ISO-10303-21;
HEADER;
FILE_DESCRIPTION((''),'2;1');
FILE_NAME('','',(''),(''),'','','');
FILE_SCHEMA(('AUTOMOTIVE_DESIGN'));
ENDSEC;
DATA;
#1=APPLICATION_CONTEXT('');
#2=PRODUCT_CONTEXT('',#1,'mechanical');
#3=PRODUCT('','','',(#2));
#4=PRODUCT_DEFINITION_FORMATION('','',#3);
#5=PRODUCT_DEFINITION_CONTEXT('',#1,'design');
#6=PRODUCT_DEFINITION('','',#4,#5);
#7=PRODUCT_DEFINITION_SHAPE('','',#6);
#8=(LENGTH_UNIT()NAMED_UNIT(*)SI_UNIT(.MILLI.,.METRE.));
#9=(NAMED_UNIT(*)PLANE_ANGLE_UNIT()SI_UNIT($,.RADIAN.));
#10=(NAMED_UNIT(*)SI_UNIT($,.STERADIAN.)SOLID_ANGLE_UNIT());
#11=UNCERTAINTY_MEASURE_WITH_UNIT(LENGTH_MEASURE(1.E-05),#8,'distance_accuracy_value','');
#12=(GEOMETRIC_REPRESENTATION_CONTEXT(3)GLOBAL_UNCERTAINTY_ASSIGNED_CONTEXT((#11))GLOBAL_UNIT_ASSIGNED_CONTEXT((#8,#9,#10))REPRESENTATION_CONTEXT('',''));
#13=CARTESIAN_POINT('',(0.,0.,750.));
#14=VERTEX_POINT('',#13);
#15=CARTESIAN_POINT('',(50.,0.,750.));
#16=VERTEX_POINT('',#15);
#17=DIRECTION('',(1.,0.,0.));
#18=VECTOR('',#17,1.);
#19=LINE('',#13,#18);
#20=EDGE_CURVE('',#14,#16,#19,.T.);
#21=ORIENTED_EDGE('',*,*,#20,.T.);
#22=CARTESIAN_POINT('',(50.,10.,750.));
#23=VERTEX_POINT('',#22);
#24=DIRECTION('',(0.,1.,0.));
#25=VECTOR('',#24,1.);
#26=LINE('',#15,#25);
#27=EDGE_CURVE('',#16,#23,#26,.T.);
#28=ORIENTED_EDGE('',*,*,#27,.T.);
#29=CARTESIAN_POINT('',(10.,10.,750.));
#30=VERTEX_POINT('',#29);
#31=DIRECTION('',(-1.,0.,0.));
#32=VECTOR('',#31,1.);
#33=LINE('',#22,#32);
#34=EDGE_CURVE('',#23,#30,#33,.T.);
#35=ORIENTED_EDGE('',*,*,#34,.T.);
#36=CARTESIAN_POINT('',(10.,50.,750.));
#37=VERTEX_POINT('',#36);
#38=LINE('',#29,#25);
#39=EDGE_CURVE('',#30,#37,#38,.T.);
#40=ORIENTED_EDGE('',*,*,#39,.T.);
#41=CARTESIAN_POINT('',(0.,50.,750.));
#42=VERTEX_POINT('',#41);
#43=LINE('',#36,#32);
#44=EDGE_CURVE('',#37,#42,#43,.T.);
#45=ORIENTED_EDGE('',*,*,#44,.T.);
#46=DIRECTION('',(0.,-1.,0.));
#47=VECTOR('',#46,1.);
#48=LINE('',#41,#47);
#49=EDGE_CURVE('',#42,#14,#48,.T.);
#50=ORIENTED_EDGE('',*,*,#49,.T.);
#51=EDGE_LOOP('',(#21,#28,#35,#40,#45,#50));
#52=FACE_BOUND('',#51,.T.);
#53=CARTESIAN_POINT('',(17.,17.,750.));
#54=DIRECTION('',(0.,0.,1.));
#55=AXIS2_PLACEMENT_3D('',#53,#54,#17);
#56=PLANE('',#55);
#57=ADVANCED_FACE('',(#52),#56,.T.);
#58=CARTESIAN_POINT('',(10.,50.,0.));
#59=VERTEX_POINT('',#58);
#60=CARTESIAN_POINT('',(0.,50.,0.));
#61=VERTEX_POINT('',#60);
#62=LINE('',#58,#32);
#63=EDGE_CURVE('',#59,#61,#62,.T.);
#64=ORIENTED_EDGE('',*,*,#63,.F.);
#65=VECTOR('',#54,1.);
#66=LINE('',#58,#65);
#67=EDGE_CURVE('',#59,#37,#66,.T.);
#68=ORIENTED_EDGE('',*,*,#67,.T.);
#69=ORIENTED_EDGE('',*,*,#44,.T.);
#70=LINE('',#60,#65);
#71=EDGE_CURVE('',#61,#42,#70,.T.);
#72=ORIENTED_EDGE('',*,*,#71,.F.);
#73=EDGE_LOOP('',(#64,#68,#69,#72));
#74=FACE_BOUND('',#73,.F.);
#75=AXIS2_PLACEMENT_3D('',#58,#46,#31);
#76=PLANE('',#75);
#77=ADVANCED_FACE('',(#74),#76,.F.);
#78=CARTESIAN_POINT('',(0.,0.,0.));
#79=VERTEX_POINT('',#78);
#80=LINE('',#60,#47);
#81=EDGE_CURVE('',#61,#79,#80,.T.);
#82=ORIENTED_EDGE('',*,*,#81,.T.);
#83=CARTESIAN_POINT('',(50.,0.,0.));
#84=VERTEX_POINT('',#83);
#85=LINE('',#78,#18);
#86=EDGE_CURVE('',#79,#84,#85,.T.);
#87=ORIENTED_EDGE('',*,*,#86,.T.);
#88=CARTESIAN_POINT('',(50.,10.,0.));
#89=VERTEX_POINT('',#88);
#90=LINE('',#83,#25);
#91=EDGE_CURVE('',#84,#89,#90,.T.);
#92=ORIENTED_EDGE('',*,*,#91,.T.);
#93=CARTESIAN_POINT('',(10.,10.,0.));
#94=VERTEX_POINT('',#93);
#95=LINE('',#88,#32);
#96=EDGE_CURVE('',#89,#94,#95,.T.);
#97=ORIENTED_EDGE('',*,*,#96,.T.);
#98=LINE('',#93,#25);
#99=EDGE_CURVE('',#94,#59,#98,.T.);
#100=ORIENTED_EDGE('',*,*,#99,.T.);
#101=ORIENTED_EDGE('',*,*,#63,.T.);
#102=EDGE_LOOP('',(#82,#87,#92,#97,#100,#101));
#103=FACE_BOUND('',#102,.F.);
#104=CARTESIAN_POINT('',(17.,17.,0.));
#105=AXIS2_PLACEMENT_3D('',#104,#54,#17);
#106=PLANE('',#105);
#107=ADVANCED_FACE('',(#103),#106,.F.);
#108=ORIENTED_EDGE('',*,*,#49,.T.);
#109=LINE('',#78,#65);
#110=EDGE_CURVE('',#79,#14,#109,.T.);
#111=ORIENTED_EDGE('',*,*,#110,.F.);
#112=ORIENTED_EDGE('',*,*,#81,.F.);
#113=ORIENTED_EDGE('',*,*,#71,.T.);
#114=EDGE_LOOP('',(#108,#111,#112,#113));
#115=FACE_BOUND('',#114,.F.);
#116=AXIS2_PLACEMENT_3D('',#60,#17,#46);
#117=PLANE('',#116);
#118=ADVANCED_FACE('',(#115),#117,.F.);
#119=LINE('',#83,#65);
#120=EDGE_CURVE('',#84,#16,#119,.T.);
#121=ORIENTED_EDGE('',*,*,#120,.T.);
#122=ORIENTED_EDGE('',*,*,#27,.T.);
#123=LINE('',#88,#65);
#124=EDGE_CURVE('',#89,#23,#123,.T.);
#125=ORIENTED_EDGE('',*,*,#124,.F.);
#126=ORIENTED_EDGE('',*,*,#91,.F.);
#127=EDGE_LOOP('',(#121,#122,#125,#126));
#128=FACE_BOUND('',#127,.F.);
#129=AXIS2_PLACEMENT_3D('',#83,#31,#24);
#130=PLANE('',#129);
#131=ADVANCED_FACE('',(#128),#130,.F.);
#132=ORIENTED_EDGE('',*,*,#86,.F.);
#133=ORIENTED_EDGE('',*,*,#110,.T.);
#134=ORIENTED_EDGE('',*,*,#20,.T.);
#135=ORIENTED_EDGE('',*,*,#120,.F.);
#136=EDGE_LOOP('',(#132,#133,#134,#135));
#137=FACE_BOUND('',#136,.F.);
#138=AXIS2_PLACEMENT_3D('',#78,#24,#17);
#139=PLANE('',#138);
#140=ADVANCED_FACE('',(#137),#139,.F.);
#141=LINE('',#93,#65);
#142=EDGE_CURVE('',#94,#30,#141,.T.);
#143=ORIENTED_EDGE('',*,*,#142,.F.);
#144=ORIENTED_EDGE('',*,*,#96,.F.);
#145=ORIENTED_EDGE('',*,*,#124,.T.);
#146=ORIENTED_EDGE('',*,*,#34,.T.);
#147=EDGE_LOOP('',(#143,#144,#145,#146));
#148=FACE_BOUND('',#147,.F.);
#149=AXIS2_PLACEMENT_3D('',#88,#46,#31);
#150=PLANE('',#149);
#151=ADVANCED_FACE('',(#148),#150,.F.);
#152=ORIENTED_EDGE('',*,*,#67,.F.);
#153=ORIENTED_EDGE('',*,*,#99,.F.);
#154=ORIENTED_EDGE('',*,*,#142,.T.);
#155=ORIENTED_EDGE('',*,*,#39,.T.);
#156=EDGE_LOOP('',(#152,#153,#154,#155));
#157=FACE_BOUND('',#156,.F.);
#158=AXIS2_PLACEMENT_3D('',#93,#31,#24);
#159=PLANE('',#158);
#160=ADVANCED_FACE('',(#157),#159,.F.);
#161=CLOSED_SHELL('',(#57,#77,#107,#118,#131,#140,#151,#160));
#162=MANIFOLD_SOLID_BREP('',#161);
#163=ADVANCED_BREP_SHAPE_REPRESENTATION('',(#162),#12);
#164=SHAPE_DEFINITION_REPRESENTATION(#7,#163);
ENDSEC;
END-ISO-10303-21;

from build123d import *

# Parameters (mm, degrees)
EXTRUDE_DEPTH = 750


with BuildPart() as part:
    # Wire → Extrude (new body)
    with BuildSketch(Plane.XY):
        Polygon((0, 0), (50, 0), (50, 10), (10, 10), (10, 50), (0, 50), align=None)
    extrude(amount=EXTRUDE_DEPTH)


solid = part.part
